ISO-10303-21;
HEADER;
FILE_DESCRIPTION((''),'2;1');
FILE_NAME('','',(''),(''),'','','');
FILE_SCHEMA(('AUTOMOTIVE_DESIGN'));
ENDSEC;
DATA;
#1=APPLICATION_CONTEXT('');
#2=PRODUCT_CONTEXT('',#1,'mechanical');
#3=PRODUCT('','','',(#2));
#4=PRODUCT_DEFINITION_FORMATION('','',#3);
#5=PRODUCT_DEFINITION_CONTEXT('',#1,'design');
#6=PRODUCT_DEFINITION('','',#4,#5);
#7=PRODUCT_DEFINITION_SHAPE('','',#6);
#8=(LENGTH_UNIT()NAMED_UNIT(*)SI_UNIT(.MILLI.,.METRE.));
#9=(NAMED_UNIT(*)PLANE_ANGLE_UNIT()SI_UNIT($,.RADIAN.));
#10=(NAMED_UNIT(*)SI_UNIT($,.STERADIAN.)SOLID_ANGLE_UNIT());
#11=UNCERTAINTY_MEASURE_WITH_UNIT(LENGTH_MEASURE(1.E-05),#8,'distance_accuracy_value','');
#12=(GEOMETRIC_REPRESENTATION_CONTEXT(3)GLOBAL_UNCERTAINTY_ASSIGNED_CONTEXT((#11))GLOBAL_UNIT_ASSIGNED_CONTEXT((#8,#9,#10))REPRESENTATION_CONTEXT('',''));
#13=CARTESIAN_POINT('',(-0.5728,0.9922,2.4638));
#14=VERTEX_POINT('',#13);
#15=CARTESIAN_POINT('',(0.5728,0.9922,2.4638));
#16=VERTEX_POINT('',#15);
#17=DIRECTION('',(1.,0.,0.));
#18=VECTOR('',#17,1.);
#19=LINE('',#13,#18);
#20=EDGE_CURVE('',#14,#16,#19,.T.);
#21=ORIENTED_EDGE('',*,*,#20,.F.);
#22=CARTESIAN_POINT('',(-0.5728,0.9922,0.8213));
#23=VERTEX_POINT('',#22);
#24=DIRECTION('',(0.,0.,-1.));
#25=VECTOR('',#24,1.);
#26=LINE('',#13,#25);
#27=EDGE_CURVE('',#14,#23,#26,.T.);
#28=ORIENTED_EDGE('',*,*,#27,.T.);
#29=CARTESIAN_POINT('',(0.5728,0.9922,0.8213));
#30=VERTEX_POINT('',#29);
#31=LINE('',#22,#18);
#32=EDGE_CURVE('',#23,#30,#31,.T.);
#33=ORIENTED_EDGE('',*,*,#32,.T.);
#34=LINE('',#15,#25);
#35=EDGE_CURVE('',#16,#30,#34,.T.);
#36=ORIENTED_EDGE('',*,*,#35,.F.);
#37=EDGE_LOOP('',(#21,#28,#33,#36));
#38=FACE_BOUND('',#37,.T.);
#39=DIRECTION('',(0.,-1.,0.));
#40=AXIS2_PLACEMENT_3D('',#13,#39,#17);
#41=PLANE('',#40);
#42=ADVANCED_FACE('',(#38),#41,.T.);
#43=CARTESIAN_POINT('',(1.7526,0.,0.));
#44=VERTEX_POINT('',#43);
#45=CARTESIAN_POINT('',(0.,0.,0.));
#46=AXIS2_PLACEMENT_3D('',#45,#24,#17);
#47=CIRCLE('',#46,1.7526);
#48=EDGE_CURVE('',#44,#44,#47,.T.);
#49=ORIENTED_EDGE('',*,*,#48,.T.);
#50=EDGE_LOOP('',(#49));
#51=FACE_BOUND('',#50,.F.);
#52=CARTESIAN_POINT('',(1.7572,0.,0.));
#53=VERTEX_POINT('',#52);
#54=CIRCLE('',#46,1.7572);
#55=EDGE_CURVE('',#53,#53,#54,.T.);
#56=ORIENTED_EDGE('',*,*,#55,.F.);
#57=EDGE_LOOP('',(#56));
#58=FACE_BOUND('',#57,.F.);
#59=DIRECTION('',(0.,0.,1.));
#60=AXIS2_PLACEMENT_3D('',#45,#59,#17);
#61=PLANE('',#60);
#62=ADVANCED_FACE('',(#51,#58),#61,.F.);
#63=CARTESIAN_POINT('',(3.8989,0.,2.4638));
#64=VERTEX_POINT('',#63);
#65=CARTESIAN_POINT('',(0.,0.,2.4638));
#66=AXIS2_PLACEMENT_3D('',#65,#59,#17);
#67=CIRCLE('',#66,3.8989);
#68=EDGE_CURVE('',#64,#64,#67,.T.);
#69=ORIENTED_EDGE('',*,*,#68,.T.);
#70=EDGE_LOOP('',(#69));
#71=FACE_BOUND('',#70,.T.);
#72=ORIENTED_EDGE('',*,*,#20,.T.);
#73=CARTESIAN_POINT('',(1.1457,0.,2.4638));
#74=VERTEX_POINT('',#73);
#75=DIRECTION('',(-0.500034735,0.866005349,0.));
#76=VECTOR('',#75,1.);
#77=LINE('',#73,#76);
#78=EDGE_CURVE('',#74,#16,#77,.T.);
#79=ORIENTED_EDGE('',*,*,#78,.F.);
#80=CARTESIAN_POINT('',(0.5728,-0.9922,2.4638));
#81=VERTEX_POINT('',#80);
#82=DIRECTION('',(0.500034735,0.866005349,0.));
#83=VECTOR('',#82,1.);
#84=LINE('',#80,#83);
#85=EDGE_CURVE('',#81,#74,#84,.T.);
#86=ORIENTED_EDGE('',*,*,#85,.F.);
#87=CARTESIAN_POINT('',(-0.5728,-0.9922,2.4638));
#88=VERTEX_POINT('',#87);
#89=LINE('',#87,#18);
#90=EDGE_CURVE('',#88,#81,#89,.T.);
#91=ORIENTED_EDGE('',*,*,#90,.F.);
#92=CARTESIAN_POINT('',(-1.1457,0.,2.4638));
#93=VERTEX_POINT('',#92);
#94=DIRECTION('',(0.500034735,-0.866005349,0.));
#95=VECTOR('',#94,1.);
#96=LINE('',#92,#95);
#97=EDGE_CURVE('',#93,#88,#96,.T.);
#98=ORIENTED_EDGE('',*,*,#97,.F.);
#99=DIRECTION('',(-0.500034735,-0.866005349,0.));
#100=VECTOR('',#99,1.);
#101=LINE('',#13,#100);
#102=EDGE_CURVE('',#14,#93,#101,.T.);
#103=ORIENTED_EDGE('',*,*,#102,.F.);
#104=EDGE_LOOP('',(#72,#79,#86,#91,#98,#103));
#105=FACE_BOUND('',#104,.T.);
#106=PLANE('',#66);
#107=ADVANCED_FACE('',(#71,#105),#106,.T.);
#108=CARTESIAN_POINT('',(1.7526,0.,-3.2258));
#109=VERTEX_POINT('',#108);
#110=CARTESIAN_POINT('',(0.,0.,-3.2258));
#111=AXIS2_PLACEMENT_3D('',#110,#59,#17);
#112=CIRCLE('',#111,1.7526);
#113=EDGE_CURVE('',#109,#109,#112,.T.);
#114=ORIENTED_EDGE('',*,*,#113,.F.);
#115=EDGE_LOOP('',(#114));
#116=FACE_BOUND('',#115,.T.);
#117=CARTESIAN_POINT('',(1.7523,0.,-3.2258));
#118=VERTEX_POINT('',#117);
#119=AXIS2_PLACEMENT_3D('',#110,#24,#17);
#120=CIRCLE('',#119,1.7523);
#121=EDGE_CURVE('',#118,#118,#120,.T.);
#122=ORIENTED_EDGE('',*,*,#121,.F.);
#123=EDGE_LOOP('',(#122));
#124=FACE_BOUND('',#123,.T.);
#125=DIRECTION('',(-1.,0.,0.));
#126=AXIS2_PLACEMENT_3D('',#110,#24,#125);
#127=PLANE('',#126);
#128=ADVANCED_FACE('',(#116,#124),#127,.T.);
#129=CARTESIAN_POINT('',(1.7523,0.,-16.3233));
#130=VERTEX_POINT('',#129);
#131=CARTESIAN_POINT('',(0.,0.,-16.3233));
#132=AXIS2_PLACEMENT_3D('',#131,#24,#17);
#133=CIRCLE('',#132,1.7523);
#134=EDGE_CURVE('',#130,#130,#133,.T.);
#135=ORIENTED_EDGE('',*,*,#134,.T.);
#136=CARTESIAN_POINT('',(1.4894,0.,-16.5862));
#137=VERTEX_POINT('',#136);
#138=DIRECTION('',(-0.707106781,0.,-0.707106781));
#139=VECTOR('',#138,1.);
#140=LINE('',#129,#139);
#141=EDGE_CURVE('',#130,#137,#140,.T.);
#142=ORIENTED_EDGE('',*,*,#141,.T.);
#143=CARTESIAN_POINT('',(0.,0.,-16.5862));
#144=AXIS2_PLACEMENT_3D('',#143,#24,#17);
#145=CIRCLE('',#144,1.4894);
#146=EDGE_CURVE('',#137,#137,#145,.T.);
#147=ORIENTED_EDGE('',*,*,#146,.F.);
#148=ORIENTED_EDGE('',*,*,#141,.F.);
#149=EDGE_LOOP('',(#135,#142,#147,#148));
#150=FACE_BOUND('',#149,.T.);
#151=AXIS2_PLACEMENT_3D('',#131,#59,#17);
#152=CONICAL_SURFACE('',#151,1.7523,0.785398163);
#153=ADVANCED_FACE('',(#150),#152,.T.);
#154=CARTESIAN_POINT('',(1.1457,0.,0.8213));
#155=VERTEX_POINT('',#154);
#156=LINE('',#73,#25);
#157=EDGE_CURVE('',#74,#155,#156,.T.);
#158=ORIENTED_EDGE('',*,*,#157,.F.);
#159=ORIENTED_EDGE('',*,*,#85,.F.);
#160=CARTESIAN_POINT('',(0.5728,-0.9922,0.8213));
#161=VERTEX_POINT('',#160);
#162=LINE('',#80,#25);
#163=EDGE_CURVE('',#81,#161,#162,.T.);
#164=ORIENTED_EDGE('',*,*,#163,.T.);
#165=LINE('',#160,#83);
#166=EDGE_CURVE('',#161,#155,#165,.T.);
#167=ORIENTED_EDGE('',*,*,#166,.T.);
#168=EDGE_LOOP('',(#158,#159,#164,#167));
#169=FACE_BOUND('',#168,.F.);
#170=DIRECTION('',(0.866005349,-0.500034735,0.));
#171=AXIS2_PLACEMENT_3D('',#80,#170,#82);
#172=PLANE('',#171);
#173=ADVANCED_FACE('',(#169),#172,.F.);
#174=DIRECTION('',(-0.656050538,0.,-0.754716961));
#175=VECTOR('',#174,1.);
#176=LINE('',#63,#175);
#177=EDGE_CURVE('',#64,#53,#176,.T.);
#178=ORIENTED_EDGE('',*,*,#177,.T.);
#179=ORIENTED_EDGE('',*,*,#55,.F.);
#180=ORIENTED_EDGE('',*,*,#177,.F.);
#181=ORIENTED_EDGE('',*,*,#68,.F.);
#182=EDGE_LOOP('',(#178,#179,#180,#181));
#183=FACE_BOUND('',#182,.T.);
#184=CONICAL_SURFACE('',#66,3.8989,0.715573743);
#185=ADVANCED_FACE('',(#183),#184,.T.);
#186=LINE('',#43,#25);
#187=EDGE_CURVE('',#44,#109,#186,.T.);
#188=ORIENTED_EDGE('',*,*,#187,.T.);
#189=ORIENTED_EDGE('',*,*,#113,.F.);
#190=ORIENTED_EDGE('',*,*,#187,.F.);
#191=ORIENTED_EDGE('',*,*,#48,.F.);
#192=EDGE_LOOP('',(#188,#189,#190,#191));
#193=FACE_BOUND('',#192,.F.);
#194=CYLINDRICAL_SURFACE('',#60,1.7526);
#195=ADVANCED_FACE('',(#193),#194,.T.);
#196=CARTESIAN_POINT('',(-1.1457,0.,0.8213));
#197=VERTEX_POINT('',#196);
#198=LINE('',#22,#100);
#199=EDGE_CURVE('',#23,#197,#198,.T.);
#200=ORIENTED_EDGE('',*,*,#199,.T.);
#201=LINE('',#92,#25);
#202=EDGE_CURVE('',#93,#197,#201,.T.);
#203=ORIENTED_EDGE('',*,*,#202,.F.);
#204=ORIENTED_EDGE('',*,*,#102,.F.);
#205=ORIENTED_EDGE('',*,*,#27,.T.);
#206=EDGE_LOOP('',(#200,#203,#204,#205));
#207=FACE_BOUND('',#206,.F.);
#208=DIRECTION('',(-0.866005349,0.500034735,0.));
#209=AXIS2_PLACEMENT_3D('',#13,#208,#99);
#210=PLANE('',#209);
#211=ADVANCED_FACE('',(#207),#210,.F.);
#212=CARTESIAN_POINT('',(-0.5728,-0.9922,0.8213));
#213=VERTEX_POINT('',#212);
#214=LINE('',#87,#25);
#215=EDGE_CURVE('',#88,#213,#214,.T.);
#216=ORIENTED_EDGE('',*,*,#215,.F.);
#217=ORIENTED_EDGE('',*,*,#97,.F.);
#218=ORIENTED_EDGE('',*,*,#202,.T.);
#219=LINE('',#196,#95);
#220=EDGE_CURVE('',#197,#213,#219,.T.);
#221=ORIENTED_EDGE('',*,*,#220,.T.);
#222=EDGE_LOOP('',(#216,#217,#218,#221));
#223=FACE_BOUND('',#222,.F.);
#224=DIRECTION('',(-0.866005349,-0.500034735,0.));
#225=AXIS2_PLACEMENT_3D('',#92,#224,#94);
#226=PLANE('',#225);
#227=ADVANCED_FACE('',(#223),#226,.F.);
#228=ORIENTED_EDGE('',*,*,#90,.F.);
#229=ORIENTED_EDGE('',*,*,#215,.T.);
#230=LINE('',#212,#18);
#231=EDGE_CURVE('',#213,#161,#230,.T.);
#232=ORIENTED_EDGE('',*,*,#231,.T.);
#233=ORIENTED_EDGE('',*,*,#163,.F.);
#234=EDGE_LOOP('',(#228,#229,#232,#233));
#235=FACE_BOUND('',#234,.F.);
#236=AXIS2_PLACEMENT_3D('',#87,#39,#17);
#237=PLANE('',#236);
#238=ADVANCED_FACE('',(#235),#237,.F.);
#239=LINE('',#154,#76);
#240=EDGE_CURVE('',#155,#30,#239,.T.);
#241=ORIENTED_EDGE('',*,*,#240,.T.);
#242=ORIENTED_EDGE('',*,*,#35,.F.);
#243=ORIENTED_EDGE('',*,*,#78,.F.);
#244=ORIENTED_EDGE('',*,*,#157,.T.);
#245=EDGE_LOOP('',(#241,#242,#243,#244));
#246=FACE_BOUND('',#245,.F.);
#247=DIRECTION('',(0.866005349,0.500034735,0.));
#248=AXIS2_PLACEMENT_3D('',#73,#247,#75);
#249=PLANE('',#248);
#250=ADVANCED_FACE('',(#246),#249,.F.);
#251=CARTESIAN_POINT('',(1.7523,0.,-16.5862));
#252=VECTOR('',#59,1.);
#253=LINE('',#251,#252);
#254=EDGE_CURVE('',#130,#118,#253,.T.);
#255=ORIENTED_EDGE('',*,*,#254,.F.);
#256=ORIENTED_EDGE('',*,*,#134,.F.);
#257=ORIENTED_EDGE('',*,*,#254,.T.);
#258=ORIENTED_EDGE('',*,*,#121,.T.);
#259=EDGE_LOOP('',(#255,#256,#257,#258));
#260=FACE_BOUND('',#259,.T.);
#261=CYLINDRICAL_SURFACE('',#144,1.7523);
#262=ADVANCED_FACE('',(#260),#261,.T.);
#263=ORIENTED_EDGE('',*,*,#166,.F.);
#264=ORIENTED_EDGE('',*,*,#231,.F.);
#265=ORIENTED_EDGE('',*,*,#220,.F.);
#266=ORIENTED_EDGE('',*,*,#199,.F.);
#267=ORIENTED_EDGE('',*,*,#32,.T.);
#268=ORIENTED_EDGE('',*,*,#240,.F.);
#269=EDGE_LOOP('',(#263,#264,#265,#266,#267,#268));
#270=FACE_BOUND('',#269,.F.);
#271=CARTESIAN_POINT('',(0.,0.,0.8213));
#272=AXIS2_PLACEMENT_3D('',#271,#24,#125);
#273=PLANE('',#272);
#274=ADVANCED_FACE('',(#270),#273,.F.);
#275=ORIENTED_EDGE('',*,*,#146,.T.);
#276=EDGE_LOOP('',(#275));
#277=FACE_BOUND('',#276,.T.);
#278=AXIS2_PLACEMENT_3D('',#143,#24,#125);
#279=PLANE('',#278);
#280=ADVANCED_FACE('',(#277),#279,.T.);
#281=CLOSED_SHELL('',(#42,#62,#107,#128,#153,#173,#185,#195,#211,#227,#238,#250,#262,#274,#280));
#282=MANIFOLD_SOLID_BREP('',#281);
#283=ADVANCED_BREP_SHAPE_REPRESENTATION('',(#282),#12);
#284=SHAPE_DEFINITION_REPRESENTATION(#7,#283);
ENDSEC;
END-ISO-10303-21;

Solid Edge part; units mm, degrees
sketch "Sketch1" plane through (0, 0, 0) normal (0, 0, 1) x (1, 0, 0)
  circle A0 centre (0, 0) radius 3.8989
  dimension "D1" = 7.7978
extrude "Protrusion1" add sketch "Sketch1" along normal blind 2.4638
sketch "Sketch2" plane through (0, 0, 0) normal (0, 0, -1) x (1, 0, 0)
  circle A0 centre (0, 0) radius 1.7526
extrude "Protrusion2" add sketch "Sketch2" along normal blind 16.5862
sketch "Sketch3" plane through (0, 0, -16.5862) normal (0, 0, -1) x (1, 0, 0)
  circle A0 centre (0, 0) radius 1.7523
extrude "Cutout1" cut sketch "Sketch3" against normal blind 13.3604 flip side to cut
chamfer "Chamfer_1" distance 0.2629 angle 45 1 edges at (-1.7523, 0, -16.5862)
sketch "Sketch4" plane through (0, 0, 2.4638) normal (0, 0, 1) x (1, 0, 0)
  line L0 (-0.5728, 0.9922) -> (0.5728, 0.9922)
  line L1 (1.1457, 0) -> (0.5728, 0.9922)
  line L2 (0.5728, -0.9922) -> (1.1457, 0)
  line L3 (-0.5728, -0.9922) -> (0.5728, -0.9922)
  line L4 (-1.1457, 0) -> (-0.5728, -0.9922)
  line L5 (-0.5728, 0.9922) -> (-1.1457, 0)
  dimension "D1" = 1.9844
extrude "Cutout2" cut sketch "Sketch4" against normal blind 1.6425
sketch "Sketch5" plane through (0, 0, 0) normal (0, -1, 0) x (1, 0, 0)
  line L0 (3.8989, 2.4638) -> (1.7572, 0)
  line L1 (1.7572, 0) -> (3.8989, 0)
  line L2 (3.8989, 0) -> (3.8989, 2.4638)
revolve "RevolvedCutout1" cut sketch "Sketch5" angle 360 about axis through (0, 0, 14.0017) along (0, 0, -1)
properties part number "24101610"
